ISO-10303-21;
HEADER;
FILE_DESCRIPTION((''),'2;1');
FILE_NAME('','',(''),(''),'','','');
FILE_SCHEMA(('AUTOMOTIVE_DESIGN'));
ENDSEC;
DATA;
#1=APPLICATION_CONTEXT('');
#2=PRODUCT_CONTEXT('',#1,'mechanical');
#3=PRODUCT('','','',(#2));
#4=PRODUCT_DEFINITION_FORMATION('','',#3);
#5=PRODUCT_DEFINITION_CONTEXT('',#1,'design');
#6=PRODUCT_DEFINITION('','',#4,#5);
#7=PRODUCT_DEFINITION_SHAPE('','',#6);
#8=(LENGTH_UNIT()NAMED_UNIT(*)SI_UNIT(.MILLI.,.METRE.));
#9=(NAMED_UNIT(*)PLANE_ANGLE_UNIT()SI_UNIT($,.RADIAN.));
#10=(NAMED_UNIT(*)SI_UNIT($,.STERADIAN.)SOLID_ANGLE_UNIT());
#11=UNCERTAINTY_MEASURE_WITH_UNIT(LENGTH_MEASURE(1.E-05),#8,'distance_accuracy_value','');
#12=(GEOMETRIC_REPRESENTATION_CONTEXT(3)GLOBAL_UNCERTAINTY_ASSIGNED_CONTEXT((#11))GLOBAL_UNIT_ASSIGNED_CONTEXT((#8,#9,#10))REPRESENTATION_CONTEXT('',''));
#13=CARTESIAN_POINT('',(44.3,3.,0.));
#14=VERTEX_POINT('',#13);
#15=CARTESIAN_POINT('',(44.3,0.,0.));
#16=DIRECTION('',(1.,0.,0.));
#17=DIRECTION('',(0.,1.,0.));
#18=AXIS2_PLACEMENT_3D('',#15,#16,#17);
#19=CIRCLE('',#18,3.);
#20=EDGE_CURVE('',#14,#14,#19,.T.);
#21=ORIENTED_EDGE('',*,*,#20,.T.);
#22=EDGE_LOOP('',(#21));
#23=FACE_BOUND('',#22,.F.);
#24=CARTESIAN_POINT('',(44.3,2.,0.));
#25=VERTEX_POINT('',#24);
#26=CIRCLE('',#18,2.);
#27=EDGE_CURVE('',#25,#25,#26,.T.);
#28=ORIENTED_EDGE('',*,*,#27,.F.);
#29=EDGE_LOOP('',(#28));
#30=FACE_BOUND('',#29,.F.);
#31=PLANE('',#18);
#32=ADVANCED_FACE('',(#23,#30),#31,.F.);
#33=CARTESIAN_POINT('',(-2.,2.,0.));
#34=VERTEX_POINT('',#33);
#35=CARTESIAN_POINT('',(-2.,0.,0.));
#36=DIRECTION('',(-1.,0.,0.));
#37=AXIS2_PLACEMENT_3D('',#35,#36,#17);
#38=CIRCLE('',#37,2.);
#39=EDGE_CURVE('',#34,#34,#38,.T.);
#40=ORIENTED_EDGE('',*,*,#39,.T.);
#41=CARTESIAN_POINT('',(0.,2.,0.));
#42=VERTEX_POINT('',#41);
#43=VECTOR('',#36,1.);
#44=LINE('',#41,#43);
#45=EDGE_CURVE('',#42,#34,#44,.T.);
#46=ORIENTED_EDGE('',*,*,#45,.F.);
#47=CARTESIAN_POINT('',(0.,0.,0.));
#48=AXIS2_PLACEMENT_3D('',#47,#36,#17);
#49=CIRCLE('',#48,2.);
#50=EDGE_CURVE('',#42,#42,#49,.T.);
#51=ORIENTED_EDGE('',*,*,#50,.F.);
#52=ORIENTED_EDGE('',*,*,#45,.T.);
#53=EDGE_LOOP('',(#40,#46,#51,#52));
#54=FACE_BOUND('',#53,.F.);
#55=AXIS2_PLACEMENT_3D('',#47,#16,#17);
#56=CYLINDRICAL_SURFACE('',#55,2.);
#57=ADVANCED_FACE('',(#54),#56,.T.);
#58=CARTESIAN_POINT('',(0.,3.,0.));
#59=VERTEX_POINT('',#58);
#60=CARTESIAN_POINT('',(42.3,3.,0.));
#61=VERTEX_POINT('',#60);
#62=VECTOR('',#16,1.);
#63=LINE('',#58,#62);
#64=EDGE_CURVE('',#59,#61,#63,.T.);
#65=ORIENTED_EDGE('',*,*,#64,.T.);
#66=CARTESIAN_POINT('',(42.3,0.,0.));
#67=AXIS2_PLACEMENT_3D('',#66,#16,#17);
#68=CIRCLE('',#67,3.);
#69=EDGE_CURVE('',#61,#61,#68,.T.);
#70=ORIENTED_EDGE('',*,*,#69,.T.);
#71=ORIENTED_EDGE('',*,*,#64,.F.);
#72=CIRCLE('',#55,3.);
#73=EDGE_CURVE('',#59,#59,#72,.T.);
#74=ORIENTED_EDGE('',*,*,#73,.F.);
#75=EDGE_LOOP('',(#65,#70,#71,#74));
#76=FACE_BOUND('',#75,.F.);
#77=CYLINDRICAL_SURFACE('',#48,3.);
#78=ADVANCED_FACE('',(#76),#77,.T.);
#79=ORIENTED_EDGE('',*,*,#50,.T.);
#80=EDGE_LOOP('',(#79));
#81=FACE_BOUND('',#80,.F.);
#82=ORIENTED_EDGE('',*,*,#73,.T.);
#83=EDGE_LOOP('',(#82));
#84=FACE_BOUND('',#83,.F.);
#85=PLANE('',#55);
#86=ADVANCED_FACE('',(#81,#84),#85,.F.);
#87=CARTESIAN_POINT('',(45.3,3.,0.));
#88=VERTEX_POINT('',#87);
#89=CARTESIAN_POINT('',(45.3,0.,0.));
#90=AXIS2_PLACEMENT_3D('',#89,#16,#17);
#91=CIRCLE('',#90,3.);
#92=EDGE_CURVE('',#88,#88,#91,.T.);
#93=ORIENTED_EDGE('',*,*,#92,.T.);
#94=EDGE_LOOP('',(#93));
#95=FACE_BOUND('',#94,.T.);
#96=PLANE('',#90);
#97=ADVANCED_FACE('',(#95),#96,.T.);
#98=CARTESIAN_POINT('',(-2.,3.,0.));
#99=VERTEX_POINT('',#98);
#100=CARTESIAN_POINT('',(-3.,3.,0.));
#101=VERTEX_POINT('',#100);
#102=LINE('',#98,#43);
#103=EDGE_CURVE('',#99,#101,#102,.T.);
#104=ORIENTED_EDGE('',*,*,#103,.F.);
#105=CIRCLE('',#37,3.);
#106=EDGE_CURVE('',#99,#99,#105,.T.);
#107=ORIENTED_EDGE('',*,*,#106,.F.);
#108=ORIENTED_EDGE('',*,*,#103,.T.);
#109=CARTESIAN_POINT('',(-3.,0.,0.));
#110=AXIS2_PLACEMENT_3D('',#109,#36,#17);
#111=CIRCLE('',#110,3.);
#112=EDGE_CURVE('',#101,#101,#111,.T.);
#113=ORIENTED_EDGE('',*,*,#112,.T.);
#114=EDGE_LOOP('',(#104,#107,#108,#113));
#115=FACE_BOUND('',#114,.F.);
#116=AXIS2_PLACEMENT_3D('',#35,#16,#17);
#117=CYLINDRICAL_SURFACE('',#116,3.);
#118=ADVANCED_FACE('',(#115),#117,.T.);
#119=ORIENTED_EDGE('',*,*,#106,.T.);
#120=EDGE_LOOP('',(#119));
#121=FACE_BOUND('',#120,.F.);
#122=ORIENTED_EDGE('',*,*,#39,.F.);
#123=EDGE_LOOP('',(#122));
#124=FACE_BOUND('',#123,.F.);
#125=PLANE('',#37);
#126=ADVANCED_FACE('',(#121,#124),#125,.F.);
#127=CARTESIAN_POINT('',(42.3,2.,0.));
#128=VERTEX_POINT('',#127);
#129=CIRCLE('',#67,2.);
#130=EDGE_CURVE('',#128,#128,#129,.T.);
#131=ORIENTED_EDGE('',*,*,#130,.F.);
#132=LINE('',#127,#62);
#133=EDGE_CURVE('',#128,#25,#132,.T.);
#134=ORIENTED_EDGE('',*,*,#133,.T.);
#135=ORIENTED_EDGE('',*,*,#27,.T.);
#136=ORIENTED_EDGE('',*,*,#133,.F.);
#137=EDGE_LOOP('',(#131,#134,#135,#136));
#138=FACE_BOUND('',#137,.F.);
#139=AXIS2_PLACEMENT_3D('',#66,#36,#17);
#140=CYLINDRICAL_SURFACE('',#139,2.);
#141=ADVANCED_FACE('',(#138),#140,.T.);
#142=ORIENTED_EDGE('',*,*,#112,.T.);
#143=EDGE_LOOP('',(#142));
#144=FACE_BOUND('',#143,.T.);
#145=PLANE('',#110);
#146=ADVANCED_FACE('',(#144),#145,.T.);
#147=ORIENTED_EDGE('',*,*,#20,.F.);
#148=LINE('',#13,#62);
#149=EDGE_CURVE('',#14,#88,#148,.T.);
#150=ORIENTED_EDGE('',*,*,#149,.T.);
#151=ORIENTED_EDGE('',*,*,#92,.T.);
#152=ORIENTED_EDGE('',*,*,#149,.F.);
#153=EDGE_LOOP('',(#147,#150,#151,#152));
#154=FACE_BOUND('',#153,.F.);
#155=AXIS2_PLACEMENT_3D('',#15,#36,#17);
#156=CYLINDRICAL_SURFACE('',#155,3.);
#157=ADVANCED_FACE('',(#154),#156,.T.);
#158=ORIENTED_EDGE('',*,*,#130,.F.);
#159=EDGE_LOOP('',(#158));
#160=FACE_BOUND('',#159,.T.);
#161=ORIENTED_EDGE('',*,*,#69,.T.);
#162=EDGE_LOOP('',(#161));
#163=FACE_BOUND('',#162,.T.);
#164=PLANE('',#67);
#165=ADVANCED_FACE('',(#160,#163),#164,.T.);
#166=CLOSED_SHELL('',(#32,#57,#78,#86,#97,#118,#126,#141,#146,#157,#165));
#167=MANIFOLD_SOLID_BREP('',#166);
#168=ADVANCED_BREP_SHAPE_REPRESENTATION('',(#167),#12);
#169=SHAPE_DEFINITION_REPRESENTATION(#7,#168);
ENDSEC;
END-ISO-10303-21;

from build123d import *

# Parameters (mm, degrees)
SKETCH_R     = 3
PAD_DEPTH    = 42.3
SKETCH001_R  = 2
PAD001_DEPTH = 2
SKETCH002_R  = 3
PAD002_DEPTH = 1
SKETCH003_R  = 2
PAD003_DEPTH = 2
SKETCH004_R  = 3
PAD004_DEPTH = 1


with BuildPart() as part:
    # Sketch → Pad (new body)
    with BuildSketch(Plane.YZ):
        Circle(SKETCH_R)
    extrude(amount=PAD_DEPTH)

    # Sketch001 (on Face3 of Pad) → Pad001 (join)
    with BuildSketch(Plane.YZ.offset(42.3)):
        Circle(SKETCH001_R)
    extrude(amount=PAD001_DEPTH)

    # Sketch002 (on Face5 of Pad001) → Pad002 (join)
    with BuildSketch(Plane.YZ.offset(44.3)):
        Circle(SKETCH002_R)
    extrude(amount=PAD002_DEPTH)

    # Sketch003 (on Face7 of Pad002) → Pad003 (join)
    with BuildSketch(Plane(origin=(0, 0, 0), x_dir=(0, 1, 0), z_dir=(-1, 0, 0))):
        Circle(SKETCH003_R)
    extrude(amount=PAD003_DEPTH)

    # Sketch004 (on Face9 of Pad003) → Pad004 (join)
    with BuildSketch(Plane(origin=(-2, 0, 0), x_dir=(0, 1, 0), z_dir=(-1, 0, 0))):
        Circle(SKETCH004_R)
    extrude(amount=PAD004_DEPTH)


solid = part.part
